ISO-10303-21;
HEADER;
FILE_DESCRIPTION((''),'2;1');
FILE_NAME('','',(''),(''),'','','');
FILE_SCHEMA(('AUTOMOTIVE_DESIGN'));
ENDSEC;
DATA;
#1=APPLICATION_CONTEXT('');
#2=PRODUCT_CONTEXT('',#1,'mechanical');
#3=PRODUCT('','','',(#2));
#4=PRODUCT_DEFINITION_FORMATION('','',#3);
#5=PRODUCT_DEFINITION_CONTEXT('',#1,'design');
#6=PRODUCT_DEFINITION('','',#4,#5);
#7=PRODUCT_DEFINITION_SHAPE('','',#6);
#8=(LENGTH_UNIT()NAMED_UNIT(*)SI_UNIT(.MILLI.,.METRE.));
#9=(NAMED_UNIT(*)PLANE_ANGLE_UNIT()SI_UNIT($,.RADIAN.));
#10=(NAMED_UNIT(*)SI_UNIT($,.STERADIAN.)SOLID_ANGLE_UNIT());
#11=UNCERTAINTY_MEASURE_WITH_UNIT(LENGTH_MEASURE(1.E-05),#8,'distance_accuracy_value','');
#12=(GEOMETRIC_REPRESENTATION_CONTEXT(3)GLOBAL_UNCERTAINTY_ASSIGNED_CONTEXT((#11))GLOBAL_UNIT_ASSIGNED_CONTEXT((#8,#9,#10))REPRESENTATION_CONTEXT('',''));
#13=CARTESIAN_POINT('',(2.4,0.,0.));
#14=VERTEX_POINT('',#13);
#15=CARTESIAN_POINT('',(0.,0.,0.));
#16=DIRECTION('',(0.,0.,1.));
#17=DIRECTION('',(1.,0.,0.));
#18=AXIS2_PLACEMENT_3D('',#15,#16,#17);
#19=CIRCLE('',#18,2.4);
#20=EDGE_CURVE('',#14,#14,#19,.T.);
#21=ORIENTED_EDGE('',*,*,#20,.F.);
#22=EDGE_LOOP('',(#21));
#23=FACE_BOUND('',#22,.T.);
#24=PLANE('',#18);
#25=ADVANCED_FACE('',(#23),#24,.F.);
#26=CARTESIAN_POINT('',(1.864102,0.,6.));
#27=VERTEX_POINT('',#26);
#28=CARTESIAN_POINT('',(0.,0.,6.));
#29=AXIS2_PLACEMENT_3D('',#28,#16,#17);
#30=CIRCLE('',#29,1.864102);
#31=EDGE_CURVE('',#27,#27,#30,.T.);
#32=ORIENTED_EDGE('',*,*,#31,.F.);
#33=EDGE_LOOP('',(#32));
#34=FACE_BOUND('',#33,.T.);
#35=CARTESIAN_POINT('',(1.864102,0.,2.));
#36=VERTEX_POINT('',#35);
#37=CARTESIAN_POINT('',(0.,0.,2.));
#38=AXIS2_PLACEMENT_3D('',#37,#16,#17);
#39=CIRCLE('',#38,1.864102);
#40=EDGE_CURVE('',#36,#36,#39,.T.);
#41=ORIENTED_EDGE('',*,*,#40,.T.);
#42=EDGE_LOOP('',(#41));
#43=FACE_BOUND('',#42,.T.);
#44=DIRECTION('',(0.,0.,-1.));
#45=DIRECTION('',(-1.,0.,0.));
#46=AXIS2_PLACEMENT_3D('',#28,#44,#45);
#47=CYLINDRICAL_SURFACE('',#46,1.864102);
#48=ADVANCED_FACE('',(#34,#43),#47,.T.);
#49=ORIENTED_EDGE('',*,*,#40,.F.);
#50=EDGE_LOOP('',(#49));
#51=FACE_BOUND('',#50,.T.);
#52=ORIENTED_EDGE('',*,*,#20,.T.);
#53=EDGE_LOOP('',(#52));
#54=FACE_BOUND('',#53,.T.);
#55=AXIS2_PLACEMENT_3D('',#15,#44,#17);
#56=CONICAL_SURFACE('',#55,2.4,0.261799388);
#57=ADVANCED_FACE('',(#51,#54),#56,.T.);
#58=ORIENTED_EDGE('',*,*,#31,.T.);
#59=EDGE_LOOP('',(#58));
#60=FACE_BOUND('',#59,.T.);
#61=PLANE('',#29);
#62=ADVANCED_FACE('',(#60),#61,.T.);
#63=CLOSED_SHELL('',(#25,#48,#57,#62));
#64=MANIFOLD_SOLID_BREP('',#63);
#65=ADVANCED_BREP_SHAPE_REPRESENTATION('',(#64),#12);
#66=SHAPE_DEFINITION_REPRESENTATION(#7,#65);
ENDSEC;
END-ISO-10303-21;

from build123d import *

# Parameters (mm, degrees)
SKETCH_1_R      = 2.4
EXTRUDE_1_DEPTH = 2
EXTRUDE_1_TAPER = 15
SKETCH_2_R      = 1.864101615
EXTRUDE_2_DEPTH = 4


with BuildPart() as part:
    # 草圖1 → 填料-伸長1 (new body)
    with BuildSketch(Plane.XY):
        Circle(SKETCH_1_R)
    extrude(amount=EXTRUDE_1_DEPTH, taper=EXTRUDE_1_TAPER)

    # 草圖2 → 填料-伸長2 (add)
    with BuildSketch(Plane.XY.offset(2)):
        Circle(SKETCH_2_R)
    extrude(amount=EXTRUDE_2_DEPTH)


solid = part.part
